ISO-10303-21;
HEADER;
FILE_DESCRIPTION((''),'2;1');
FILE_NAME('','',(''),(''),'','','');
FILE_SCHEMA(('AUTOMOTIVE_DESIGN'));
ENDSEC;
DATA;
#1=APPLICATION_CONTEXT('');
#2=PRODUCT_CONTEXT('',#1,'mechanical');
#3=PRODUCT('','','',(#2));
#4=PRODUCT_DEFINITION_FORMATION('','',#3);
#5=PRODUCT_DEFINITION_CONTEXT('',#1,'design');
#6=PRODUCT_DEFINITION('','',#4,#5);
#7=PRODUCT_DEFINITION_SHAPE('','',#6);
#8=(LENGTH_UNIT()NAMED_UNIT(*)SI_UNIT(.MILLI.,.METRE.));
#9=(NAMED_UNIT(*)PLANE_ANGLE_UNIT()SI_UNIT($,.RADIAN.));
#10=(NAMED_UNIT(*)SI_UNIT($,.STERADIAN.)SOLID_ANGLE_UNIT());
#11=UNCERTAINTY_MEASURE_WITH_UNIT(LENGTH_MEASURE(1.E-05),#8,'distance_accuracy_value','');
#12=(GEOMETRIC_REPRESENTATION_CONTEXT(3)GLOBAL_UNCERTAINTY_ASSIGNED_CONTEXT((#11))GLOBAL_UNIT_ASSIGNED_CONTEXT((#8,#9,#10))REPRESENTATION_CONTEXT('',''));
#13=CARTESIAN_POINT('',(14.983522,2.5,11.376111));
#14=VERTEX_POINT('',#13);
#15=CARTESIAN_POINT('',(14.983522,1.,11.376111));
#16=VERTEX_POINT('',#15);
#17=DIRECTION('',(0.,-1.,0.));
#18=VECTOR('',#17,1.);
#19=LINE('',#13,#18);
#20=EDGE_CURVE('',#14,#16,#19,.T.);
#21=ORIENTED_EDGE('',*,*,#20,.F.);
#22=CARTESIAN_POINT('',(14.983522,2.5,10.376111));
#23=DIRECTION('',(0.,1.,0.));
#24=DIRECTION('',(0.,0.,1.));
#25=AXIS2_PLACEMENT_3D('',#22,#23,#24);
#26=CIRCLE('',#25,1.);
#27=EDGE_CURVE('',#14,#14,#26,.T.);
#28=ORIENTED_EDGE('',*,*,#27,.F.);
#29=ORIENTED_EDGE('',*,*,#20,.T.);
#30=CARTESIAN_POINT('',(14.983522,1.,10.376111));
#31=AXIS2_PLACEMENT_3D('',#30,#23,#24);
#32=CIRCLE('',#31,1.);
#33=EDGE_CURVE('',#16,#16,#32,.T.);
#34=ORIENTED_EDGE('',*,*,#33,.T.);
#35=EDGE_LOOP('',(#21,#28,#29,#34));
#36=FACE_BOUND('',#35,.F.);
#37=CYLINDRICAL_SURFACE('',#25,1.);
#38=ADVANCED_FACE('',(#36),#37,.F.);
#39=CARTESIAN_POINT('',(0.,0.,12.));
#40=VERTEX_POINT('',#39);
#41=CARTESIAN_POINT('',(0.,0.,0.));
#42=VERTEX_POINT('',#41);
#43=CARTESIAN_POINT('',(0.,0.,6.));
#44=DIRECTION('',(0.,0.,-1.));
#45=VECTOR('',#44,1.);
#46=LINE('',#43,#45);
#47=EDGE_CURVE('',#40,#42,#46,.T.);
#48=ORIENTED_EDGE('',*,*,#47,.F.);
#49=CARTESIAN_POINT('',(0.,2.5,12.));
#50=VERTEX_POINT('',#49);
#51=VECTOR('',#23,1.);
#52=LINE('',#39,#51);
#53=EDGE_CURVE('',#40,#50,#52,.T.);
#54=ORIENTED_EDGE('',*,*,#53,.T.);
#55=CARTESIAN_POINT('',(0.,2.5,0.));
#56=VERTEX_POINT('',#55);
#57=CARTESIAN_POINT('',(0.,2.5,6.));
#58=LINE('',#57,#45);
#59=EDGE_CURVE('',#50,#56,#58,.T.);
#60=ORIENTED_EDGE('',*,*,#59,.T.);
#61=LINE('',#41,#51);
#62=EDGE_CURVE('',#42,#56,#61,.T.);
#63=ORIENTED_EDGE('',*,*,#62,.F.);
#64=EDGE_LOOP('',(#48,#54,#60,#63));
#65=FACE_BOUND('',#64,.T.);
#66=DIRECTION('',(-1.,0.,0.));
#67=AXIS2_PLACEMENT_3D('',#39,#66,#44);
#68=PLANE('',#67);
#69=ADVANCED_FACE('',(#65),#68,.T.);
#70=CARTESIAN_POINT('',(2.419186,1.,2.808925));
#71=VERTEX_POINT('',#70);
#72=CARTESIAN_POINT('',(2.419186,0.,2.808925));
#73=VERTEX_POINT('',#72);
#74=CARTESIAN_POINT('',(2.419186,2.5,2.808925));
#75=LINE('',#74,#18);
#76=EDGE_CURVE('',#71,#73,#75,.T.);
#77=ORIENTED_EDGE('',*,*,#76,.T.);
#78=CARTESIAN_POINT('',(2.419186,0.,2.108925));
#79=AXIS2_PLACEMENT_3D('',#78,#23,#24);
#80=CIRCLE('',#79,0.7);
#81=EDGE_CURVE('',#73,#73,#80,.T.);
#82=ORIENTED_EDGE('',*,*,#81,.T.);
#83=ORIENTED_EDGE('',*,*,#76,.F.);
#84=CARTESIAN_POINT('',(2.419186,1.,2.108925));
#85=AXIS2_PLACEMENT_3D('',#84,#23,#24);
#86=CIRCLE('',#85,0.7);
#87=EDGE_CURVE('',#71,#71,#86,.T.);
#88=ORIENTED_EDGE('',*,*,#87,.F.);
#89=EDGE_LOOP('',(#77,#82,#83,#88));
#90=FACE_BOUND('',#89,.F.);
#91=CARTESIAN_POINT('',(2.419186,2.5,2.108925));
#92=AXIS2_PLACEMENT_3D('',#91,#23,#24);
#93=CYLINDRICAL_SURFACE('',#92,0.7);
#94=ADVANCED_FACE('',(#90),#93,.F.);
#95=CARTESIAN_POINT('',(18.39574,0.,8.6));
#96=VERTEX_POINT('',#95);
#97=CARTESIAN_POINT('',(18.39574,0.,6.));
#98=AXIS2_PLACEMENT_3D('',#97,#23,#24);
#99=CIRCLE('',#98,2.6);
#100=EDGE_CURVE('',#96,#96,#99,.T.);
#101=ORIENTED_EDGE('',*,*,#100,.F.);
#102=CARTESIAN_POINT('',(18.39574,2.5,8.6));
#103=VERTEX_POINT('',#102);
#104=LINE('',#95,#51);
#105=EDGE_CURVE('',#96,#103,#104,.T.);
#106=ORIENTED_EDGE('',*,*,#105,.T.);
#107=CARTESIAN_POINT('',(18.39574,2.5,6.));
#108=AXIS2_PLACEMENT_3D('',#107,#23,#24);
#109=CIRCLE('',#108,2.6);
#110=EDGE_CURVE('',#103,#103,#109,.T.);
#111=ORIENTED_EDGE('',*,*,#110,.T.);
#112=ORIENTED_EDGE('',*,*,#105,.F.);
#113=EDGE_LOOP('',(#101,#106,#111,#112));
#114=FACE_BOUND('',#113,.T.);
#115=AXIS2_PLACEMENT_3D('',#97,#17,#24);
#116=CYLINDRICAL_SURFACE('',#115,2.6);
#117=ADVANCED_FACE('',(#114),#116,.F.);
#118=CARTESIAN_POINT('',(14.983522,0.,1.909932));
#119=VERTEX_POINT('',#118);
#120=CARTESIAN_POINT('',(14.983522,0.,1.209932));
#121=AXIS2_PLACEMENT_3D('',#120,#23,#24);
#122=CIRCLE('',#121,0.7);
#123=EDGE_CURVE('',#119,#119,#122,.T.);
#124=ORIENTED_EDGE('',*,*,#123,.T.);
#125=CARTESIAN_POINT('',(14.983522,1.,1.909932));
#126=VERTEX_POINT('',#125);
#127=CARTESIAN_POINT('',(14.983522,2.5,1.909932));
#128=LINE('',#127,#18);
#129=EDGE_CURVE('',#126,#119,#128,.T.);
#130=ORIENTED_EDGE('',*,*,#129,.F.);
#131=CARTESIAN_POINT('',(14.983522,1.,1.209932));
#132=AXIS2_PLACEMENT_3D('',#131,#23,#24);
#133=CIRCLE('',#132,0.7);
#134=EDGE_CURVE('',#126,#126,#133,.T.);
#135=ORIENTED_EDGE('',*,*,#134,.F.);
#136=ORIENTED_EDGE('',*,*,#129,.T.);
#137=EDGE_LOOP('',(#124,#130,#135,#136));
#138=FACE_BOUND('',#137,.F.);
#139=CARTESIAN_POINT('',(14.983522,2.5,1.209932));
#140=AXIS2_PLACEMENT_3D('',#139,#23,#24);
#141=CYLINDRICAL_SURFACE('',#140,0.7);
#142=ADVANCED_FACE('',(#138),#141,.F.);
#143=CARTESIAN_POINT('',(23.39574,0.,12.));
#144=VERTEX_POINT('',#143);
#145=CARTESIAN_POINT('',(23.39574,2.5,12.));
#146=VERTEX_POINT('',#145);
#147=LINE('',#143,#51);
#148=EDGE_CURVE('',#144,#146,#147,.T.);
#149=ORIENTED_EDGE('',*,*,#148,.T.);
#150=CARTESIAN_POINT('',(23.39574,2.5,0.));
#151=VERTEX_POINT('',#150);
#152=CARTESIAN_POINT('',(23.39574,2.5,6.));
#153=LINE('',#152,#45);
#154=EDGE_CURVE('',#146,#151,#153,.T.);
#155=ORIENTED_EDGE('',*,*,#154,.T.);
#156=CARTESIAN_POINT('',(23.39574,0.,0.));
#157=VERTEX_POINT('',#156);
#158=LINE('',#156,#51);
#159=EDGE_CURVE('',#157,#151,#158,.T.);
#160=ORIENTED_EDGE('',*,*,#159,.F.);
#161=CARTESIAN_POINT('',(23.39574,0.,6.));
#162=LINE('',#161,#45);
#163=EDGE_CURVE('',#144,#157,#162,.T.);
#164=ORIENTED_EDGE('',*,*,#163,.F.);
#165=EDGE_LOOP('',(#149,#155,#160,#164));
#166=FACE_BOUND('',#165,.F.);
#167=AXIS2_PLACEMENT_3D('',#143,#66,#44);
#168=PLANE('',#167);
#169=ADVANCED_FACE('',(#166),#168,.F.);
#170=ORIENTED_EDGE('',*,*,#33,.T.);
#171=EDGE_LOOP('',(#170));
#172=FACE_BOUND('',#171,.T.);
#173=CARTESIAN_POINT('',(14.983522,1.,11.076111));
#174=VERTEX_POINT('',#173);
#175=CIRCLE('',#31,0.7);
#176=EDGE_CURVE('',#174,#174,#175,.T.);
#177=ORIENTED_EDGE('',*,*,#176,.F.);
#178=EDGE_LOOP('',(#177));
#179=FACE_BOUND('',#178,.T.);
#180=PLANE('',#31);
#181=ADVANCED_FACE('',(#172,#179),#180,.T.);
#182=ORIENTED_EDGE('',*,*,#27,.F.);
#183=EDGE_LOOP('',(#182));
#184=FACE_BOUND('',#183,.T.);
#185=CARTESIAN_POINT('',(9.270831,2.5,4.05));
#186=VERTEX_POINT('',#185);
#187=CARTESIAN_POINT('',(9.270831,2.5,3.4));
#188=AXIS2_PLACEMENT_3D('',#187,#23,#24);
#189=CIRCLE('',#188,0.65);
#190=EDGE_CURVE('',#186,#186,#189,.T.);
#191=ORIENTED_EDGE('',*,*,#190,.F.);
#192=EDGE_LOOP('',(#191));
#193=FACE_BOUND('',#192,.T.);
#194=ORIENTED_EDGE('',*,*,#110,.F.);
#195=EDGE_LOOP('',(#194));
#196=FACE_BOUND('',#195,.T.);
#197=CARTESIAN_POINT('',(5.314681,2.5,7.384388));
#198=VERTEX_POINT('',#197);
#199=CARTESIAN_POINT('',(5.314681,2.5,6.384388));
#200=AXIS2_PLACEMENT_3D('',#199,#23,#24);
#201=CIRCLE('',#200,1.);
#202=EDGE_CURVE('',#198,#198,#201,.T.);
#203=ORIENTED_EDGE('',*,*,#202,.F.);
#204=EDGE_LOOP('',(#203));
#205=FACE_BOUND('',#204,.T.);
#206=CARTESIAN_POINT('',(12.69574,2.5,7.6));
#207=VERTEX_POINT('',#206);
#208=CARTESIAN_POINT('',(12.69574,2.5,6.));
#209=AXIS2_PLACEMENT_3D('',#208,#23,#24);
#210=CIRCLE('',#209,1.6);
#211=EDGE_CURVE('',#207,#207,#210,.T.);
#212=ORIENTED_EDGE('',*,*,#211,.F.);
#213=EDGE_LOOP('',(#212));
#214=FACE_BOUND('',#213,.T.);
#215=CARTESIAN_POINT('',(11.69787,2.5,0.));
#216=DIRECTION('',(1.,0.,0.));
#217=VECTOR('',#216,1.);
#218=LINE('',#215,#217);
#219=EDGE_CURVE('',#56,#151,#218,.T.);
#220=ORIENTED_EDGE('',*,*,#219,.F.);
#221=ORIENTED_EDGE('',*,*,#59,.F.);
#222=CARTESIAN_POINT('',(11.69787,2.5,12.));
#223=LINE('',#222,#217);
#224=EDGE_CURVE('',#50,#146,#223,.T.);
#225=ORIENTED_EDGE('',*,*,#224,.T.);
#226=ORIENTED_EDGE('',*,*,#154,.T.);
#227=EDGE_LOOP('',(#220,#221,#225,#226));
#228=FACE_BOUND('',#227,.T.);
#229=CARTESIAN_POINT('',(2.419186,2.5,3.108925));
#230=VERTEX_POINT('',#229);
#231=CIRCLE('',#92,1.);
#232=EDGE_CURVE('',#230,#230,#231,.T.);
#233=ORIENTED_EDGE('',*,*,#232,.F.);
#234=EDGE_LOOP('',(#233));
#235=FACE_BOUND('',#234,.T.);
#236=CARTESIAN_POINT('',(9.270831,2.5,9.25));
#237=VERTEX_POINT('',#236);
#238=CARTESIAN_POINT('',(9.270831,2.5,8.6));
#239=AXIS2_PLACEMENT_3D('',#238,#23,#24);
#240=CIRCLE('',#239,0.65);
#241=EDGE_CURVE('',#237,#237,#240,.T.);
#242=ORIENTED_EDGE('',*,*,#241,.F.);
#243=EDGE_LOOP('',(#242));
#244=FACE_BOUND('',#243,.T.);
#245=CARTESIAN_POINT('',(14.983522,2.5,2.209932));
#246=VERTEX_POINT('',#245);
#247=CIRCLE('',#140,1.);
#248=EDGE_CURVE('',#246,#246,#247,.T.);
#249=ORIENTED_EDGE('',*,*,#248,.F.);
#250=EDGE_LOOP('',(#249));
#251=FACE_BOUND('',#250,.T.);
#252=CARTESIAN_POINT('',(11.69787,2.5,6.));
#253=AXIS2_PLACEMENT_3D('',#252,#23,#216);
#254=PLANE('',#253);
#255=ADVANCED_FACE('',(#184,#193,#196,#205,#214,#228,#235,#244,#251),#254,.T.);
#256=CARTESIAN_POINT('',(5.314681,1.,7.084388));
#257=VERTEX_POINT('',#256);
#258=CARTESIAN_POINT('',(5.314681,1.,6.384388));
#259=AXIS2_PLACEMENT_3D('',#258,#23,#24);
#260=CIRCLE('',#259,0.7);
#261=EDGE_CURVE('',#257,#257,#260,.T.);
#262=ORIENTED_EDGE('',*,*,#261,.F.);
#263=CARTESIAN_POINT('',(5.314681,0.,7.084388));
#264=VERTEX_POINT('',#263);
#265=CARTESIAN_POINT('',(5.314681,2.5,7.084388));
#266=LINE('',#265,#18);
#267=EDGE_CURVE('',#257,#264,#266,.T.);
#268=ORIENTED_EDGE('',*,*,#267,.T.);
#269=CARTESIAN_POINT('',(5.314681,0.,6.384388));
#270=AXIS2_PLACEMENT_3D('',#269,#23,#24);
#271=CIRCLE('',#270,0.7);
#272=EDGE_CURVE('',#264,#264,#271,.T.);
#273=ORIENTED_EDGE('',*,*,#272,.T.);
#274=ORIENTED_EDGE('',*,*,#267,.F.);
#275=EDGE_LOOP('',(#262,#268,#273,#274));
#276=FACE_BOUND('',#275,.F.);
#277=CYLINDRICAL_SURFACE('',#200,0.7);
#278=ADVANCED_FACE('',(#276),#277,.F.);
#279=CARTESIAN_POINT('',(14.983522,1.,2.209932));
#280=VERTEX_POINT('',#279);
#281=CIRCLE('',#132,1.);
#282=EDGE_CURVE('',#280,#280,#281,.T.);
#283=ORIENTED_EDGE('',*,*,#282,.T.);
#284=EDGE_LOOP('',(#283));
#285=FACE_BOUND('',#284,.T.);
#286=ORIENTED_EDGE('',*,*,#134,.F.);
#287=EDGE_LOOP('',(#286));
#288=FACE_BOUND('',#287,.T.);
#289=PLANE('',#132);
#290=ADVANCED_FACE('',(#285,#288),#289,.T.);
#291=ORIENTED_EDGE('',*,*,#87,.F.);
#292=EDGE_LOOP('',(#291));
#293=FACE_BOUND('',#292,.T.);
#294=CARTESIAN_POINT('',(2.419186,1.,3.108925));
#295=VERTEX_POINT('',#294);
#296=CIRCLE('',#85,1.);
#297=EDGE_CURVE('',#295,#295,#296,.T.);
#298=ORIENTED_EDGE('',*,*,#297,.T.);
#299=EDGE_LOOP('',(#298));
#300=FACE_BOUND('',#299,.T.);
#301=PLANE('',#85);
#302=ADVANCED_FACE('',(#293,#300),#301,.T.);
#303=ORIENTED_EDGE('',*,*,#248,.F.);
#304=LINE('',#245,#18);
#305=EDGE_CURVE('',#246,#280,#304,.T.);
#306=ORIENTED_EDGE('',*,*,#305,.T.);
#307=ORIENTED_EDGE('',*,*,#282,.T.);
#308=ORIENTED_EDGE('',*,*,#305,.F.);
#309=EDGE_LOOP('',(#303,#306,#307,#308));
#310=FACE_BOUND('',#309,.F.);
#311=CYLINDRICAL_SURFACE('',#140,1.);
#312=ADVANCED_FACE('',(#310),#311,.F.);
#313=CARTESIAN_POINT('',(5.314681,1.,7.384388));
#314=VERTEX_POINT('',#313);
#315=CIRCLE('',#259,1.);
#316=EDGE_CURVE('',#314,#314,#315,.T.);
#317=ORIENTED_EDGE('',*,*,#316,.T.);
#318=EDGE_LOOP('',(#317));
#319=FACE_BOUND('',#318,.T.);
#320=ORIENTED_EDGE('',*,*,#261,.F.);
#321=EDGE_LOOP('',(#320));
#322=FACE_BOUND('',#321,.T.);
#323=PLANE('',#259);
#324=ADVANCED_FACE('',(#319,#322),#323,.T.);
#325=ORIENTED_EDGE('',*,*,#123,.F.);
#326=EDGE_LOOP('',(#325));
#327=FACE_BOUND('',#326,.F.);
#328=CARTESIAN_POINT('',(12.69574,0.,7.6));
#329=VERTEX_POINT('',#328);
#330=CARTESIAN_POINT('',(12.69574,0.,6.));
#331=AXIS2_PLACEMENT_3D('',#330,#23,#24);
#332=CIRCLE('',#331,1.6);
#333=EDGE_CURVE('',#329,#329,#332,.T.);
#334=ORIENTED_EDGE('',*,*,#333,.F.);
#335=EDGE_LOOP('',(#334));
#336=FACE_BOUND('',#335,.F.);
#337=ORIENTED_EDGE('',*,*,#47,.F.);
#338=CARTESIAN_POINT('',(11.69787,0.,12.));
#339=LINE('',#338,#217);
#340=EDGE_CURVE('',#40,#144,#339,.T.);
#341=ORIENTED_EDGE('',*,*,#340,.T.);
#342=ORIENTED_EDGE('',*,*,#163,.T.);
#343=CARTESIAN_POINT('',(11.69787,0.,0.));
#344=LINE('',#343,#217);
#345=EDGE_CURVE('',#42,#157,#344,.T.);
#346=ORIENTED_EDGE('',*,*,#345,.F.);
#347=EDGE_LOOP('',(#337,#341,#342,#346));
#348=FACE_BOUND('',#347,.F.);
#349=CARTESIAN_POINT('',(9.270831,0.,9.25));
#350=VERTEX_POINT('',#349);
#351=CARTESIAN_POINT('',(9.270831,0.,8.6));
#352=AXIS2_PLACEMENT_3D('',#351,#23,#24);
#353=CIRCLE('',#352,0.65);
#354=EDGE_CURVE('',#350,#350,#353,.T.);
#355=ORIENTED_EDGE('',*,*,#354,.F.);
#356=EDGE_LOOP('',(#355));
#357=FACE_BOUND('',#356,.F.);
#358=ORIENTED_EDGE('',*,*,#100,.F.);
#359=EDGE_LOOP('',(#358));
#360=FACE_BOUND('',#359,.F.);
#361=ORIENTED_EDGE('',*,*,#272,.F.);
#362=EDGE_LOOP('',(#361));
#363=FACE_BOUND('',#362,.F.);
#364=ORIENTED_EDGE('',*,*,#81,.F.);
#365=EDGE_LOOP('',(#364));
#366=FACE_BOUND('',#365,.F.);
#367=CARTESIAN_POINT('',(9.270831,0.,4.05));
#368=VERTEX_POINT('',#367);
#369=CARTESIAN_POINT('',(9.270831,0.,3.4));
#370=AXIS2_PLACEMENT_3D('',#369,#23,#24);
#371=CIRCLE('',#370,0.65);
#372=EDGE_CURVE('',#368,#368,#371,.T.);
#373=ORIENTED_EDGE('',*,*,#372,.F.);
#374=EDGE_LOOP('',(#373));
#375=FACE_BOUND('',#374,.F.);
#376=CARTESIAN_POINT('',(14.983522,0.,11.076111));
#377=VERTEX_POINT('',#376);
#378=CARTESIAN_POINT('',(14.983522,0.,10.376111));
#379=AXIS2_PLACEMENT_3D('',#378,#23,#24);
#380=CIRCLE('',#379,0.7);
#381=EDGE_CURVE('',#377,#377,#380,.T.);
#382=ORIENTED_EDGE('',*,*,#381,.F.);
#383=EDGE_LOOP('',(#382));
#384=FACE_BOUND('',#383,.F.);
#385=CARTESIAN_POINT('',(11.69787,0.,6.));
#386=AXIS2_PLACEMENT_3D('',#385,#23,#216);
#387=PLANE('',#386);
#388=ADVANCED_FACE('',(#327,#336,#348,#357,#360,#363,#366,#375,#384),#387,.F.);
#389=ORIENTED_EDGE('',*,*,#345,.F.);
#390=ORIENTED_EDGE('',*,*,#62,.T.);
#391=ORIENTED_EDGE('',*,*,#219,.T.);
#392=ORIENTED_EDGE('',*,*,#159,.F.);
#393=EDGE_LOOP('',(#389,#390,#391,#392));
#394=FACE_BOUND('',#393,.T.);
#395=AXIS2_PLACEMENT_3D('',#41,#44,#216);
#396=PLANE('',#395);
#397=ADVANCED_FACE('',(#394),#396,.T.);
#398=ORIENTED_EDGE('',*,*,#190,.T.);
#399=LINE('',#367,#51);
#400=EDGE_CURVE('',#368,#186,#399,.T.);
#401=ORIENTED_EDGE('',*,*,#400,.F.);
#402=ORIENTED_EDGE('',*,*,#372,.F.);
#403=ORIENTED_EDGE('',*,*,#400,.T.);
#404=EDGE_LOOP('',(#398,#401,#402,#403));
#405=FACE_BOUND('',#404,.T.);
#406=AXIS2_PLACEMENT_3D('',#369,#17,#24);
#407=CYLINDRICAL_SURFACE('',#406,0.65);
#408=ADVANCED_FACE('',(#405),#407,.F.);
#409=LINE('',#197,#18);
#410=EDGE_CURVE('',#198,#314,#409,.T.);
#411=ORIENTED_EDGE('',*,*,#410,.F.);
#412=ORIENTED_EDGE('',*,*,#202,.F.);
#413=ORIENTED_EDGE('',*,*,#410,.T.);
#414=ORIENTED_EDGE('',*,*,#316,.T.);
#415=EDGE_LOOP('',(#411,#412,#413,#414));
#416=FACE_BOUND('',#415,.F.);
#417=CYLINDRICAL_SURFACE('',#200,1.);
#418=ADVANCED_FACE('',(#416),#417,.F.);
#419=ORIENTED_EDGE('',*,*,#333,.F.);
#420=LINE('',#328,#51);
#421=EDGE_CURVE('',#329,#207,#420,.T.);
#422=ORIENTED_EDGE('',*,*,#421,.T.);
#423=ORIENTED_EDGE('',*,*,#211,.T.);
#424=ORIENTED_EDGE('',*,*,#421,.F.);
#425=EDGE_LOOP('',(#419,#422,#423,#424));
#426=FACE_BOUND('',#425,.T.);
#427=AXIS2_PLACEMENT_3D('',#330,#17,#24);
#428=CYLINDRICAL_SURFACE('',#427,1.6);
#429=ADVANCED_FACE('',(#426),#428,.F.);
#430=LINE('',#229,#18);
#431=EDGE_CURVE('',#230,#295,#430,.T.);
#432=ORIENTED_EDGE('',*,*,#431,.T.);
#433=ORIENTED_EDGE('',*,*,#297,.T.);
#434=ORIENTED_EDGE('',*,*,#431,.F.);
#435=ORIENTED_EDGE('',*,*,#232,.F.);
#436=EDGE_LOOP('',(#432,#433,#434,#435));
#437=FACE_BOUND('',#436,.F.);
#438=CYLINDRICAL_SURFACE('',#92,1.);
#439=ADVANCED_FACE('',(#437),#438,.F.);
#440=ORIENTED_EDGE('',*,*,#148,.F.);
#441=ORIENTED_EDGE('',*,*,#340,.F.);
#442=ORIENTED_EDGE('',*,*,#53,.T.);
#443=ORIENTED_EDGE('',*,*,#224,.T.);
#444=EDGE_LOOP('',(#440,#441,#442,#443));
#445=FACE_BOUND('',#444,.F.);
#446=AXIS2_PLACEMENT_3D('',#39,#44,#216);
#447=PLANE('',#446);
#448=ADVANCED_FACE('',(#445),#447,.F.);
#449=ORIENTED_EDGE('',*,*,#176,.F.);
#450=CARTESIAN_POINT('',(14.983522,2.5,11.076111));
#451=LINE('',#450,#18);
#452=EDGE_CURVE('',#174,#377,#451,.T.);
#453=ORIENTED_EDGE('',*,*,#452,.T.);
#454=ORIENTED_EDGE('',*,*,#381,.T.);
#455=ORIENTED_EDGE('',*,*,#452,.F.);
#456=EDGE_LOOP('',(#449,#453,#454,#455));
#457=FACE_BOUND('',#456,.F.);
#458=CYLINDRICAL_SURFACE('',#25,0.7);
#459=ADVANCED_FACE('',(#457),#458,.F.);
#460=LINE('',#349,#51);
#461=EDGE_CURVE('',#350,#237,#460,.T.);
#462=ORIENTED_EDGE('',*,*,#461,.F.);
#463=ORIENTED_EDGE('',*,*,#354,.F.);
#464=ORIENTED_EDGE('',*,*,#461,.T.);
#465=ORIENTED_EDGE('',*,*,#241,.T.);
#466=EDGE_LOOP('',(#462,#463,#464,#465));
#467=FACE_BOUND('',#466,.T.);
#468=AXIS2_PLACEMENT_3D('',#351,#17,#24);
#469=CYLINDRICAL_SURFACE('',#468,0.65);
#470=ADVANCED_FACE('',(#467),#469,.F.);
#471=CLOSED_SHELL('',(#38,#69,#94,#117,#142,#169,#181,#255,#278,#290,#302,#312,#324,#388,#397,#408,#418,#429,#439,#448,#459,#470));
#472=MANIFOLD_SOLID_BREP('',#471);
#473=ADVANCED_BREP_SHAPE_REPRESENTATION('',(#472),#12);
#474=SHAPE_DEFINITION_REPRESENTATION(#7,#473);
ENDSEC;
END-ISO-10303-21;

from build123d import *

# Parameters (mm, degrees)
SKETCH_1_W          = 23.395740059
SKETCH_1_H          = 12
SKETCH_1_R          = 0.65
SKETCH_1_R_2        = 1.6
SKETCH_1_R_3        = 2.6
EXTRUDE_1_DEPTH     = 2.5
SKETCH_3_R          = 0.7
CUT_EXTRUDE_1_DEPTH = 27.412320097
SKETCH_3_3_R        = 1
CUT_EXTRUDE_2_DEPTH = 1.5


with BuildPart() as part:
    # 草图1 → 凸台-拉伸1 (new body)
    with BuildSketch(Plane(origin=(0, 0, 0), x_dir=(1, 0, 0), z_dir=(0, 1, 0))):
        with Locations((11.69787003, -6)):
            Rectangle(SKETCH_1_W, SKETCH_1_H)
        with Locations((9.270831301, -3.4)):
            Circle(SKETCH_1_R, mode=Mode.SUBTRACT)
        with Locations((12.695740059, -6)):
            Circle(SKETCH_1_R_2, mode=Mode.SUBTRACT)
        with Locations((9.270831301, -8.6)):
            Circle(SKETCH_1_R, mode=Mode.SUBTRACT)
        with Locations((18.395740059, -6)):
            Circle(SKETCH_1_R_3, mode=Mode.SUBTRACT)
    extrude(amount=EXTRUDE_1_DEPTH)

    # 草图3 → 切除-拉伸1 (cut, through all)
    with BuildSketch(Plane(origin=(0, 2.5, 0), x_dir=(1, 0, 0), z_dir=(0, 1, 0))):
        with Locations((5.314681037, -6.384388153)):
            Circle(SKETCH_3_R)
        with Locations((2.419185522, -2.108925173)):
            Circle(SKETCH_3_R)
        with Locations((14.983521503, -1.209932246)):
            Circle(SKETCH_3_R)
        with Locations((14.983521503, -10.376111281)):
            Circle(SKETCH_3_R)
    extrude(amount=-CUT_EXTRUDE_1_DEPTH, mode=Mode.SUBTRACT)

    # 草图3<3> → 切除-拉伸2 (cut)
    with BuildSketch(Plane(origin=(0, 2.5, 0), x_dir=(1, 0, 0), z_dir=(0, 1, 0))):
        with Locations((2.419185522, -2.108925173)):
            Circle(SKETCH_3_3_R)
        with Locations((5.314681037, -6.384388153)):
            Circle(SKETCH_3_3_R)
        with Locations((14.983521503, -1.209932246)):
            Circle(SKETCH_3_3_R)
        with Locations((14.983521503, -10.376111281)):
            Circle(SKETCH_3_3_R)
    extrude(amount=-CUT_EXTRUDE_2_DEPTH, mode=Mode.SUBTRACT)


solid = part.part
